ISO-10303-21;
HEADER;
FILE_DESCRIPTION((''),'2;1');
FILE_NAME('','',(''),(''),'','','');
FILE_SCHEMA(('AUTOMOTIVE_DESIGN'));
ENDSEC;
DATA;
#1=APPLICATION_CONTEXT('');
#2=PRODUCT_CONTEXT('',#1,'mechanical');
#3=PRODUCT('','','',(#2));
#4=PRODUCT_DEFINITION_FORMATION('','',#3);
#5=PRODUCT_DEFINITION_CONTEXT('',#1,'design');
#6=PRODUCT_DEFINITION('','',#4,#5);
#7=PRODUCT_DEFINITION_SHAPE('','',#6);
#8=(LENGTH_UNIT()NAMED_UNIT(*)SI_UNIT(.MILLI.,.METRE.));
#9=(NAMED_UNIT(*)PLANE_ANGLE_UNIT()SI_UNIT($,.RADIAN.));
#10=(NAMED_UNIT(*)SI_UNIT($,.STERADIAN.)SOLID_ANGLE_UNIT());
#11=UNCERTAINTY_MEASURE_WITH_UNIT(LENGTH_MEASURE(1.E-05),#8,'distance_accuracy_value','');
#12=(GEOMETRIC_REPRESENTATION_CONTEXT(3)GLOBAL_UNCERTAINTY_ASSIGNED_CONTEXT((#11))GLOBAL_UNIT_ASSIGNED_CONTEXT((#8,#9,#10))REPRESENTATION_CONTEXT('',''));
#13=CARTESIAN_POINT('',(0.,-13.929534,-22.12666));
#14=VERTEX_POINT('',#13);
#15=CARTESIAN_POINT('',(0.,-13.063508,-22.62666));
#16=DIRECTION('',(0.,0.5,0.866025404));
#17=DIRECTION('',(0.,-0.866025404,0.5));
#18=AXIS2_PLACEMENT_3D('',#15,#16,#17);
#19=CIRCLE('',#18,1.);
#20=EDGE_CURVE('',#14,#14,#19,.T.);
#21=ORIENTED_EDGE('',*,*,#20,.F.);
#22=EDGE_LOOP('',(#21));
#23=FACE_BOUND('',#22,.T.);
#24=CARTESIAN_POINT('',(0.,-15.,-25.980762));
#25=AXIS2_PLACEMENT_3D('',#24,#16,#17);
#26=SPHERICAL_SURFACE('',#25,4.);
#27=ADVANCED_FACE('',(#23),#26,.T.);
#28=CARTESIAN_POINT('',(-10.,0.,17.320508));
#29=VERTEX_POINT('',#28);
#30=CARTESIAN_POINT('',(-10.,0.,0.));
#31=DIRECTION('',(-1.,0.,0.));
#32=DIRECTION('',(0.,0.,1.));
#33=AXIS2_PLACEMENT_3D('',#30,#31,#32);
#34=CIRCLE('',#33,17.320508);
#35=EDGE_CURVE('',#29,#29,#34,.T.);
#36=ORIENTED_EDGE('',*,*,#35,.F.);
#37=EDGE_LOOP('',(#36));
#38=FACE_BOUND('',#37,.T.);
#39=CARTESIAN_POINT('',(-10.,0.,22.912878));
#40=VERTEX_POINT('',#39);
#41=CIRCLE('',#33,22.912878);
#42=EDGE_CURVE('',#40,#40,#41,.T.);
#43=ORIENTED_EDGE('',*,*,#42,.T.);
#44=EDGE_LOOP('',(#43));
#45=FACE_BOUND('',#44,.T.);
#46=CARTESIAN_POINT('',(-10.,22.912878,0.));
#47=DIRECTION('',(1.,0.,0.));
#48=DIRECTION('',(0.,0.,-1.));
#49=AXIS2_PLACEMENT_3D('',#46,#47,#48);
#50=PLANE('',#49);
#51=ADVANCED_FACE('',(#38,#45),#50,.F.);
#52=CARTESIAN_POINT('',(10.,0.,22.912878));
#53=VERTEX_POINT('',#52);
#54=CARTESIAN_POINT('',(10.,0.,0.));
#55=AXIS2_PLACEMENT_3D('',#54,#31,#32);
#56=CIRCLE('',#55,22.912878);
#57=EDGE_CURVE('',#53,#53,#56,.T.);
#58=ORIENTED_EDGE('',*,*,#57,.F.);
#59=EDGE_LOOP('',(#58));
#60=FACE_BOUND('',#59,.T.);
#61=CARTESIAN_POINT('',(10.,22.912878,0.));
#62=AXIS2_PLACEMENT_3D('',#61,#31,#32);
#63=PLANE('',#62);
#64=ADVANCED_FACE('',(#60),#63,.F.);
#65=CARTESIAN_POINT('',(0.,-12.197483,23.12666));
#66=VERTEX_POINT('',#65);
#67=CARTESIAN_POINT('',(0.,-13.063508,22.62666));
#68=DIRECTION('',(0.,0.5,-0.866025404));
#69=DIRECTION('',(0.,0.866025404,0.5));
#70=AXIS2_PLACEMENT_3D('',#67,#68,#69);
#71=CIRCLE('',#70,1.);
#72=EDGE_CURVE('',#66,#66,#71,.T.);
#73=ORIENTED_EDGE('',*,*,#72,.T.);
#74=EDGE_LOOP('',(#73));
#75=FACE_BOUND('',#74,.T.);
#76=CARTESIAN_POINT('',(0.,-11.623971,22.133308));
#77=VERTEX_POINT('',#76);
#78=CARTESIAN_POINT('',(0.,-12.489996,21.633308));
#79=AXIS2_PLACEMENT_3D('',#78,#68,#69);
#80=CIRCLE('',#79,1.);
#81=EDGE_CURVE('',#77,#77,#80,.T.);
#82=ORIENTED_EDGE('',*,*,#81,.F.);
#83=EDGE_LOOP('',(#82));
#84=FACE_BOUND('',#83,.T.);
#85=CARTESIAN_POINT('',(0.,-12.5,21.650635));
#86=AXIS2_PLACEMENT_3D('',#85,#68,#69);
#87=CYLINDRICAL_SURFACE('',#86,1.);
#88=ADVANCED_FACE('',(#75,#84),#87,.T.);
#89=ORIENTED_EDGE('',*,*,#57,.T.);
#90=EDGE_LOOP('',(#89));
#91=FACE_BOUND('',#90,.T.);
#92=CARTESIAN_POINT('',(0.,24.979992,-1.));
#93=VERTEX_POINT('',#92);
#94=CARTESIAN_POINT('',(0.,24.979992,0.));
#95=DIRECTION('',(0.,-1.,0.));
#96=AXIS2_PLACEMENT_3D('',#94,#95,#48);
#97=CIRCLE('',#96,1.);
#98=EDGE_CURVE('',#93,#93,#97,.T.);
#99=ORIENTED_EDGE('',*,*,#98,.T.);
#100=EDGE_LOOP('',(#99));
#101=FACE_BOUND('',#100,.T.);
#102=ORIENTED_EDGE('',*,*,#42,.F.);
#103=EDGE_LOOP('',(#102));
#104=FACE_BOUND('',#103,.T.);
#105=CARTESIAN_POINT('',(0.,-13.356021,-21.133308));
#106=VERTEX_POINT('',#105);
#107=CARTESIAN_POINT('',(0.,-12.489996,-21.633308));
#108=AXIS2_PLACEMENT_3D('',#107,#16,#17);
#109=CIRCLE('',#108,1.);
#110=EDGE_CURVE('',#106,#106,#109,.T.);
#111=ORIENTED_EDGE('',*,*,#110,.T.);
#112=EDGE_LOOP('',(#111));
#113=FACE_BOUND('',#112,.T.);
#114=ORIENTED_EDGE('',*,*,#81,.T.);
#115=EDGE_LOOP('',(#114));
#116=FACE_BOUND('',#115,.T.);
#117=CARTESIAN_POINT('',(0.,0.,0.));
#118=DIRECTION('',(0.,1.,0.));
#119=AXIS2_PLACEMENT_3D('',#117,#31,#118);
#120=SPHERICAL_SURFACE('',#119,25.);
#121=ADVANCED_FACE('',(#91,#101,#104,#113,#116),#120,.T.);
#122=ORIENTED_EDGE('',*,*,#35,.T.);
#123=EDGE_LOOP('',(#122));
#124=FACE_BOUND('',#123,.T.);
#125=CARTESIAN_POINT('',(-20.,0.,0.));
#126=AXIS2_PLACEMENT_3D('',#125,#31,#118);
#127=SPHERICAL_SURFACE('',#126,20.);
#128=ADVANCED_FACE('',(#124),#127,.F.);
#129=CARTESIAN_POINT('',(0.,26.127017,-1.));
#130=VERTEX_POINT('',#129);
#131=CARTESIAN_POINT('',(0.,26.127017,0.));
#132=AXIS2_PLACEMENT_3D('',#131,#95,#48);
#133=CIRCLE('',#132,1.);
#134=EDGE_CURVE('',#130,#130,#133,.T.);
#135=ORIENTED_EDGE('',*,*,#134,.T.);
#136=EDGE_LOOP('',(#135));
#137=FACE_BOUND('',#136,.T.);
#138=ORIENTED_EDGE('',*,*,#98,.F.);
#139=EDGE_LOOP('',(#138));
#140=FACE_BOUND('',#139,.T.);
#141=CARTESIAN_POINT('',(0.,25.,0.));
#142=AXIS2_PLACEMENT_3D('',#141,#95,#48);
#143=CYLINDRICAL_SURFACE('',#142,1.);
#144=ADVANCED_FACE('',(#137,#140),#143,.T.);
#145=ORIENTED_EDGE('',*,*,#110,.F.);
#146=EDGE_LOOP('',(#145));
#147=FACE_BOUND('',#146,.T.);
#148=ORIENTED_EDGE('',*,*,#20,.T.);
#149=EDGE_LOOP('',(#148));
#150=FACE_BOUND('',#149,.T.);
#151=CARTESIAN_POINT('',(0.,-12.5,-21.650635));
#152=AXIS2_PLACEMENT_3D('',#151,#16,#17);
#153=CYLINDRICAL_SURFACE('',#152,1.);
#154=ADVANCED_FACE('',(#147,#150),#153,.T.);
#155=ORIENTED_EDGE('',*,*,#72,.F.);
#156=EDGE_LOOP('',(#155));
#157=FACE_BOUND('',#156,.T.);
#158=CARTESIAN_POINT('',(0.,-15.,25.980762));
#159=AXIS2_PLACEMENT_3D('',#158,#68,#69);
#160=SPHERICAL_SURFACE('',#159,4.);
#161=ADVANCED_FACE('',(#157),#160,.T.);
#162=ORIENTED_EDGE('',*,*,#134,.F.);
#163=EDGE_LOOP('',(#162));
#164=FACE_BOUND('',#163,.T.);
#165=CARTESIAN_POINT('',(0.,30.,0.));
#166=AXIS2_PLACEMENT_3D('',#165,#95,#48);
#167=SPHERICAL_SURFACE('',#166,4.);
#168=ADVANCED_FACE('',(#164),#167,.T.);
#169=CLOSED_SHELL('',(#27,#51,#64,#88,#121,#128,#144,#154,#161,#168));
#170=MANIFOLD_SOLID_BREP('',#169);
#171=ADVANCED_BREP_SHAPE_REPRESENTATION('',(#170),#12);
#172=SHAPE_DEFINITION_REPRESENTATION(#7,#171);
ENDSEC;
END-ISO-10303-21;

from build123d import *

# Parameters (mm, degrees)
MATRIZC1_COUNT = 3


with BuildPart() as part:
    # Croquis8 → Revolución4 (revolve)
    with BuildSketch(Plane.XY):
        with BuildLine():
            Line((-10, 22.912878475), (-10, 17.320508076))
            ThreePointArc((-10, 17.320508076), (-2.679491924, 10), (0, 0))
            Line((0, 0), (10, 0))
            Line((10, 0), (10, 22.912878475))
            ThreePointArc((10, 22.912878475), (0, 25), (-10, 22.912878475))
        make_face()
    revolve(axis=Axis((0, 0, 0), (1, 0, 0)))

    # Croquis3 → Revolución5 (revolve)
    with BuildSketch(Plane(origin=(0, 0, 0), x_dir=(0, 0, -1), z_dir=(1, 0, 0))):
        with BuildLine():
            Line((0, 25), (0, 34))
            ThreePointArc((0, 34), (3.968118785, 30.50401717), (1, 26.127016654))
            Line((1, 26.127016654), (1, 24.979991994))
            ThreePointArc((1, 24.979991994), (0.50010007, 24.994997498), (0, 25))
        make_face()
    revoluci_n5 = revolve(axis=Axis((0, 25, 0), (0, 1, 0)))

    # MatrizC1: Revolución5 ×3 about axis
    matrizc1_axis = Axis((0, 0, 0), (1, 0, 0))
    for i in range(1, MATRIZC1_COUNT):
        add(revoluci_n5.rotate(matrizc1_axis, i * 360 / MATRIZC1_COUNT))


solid = part.part
